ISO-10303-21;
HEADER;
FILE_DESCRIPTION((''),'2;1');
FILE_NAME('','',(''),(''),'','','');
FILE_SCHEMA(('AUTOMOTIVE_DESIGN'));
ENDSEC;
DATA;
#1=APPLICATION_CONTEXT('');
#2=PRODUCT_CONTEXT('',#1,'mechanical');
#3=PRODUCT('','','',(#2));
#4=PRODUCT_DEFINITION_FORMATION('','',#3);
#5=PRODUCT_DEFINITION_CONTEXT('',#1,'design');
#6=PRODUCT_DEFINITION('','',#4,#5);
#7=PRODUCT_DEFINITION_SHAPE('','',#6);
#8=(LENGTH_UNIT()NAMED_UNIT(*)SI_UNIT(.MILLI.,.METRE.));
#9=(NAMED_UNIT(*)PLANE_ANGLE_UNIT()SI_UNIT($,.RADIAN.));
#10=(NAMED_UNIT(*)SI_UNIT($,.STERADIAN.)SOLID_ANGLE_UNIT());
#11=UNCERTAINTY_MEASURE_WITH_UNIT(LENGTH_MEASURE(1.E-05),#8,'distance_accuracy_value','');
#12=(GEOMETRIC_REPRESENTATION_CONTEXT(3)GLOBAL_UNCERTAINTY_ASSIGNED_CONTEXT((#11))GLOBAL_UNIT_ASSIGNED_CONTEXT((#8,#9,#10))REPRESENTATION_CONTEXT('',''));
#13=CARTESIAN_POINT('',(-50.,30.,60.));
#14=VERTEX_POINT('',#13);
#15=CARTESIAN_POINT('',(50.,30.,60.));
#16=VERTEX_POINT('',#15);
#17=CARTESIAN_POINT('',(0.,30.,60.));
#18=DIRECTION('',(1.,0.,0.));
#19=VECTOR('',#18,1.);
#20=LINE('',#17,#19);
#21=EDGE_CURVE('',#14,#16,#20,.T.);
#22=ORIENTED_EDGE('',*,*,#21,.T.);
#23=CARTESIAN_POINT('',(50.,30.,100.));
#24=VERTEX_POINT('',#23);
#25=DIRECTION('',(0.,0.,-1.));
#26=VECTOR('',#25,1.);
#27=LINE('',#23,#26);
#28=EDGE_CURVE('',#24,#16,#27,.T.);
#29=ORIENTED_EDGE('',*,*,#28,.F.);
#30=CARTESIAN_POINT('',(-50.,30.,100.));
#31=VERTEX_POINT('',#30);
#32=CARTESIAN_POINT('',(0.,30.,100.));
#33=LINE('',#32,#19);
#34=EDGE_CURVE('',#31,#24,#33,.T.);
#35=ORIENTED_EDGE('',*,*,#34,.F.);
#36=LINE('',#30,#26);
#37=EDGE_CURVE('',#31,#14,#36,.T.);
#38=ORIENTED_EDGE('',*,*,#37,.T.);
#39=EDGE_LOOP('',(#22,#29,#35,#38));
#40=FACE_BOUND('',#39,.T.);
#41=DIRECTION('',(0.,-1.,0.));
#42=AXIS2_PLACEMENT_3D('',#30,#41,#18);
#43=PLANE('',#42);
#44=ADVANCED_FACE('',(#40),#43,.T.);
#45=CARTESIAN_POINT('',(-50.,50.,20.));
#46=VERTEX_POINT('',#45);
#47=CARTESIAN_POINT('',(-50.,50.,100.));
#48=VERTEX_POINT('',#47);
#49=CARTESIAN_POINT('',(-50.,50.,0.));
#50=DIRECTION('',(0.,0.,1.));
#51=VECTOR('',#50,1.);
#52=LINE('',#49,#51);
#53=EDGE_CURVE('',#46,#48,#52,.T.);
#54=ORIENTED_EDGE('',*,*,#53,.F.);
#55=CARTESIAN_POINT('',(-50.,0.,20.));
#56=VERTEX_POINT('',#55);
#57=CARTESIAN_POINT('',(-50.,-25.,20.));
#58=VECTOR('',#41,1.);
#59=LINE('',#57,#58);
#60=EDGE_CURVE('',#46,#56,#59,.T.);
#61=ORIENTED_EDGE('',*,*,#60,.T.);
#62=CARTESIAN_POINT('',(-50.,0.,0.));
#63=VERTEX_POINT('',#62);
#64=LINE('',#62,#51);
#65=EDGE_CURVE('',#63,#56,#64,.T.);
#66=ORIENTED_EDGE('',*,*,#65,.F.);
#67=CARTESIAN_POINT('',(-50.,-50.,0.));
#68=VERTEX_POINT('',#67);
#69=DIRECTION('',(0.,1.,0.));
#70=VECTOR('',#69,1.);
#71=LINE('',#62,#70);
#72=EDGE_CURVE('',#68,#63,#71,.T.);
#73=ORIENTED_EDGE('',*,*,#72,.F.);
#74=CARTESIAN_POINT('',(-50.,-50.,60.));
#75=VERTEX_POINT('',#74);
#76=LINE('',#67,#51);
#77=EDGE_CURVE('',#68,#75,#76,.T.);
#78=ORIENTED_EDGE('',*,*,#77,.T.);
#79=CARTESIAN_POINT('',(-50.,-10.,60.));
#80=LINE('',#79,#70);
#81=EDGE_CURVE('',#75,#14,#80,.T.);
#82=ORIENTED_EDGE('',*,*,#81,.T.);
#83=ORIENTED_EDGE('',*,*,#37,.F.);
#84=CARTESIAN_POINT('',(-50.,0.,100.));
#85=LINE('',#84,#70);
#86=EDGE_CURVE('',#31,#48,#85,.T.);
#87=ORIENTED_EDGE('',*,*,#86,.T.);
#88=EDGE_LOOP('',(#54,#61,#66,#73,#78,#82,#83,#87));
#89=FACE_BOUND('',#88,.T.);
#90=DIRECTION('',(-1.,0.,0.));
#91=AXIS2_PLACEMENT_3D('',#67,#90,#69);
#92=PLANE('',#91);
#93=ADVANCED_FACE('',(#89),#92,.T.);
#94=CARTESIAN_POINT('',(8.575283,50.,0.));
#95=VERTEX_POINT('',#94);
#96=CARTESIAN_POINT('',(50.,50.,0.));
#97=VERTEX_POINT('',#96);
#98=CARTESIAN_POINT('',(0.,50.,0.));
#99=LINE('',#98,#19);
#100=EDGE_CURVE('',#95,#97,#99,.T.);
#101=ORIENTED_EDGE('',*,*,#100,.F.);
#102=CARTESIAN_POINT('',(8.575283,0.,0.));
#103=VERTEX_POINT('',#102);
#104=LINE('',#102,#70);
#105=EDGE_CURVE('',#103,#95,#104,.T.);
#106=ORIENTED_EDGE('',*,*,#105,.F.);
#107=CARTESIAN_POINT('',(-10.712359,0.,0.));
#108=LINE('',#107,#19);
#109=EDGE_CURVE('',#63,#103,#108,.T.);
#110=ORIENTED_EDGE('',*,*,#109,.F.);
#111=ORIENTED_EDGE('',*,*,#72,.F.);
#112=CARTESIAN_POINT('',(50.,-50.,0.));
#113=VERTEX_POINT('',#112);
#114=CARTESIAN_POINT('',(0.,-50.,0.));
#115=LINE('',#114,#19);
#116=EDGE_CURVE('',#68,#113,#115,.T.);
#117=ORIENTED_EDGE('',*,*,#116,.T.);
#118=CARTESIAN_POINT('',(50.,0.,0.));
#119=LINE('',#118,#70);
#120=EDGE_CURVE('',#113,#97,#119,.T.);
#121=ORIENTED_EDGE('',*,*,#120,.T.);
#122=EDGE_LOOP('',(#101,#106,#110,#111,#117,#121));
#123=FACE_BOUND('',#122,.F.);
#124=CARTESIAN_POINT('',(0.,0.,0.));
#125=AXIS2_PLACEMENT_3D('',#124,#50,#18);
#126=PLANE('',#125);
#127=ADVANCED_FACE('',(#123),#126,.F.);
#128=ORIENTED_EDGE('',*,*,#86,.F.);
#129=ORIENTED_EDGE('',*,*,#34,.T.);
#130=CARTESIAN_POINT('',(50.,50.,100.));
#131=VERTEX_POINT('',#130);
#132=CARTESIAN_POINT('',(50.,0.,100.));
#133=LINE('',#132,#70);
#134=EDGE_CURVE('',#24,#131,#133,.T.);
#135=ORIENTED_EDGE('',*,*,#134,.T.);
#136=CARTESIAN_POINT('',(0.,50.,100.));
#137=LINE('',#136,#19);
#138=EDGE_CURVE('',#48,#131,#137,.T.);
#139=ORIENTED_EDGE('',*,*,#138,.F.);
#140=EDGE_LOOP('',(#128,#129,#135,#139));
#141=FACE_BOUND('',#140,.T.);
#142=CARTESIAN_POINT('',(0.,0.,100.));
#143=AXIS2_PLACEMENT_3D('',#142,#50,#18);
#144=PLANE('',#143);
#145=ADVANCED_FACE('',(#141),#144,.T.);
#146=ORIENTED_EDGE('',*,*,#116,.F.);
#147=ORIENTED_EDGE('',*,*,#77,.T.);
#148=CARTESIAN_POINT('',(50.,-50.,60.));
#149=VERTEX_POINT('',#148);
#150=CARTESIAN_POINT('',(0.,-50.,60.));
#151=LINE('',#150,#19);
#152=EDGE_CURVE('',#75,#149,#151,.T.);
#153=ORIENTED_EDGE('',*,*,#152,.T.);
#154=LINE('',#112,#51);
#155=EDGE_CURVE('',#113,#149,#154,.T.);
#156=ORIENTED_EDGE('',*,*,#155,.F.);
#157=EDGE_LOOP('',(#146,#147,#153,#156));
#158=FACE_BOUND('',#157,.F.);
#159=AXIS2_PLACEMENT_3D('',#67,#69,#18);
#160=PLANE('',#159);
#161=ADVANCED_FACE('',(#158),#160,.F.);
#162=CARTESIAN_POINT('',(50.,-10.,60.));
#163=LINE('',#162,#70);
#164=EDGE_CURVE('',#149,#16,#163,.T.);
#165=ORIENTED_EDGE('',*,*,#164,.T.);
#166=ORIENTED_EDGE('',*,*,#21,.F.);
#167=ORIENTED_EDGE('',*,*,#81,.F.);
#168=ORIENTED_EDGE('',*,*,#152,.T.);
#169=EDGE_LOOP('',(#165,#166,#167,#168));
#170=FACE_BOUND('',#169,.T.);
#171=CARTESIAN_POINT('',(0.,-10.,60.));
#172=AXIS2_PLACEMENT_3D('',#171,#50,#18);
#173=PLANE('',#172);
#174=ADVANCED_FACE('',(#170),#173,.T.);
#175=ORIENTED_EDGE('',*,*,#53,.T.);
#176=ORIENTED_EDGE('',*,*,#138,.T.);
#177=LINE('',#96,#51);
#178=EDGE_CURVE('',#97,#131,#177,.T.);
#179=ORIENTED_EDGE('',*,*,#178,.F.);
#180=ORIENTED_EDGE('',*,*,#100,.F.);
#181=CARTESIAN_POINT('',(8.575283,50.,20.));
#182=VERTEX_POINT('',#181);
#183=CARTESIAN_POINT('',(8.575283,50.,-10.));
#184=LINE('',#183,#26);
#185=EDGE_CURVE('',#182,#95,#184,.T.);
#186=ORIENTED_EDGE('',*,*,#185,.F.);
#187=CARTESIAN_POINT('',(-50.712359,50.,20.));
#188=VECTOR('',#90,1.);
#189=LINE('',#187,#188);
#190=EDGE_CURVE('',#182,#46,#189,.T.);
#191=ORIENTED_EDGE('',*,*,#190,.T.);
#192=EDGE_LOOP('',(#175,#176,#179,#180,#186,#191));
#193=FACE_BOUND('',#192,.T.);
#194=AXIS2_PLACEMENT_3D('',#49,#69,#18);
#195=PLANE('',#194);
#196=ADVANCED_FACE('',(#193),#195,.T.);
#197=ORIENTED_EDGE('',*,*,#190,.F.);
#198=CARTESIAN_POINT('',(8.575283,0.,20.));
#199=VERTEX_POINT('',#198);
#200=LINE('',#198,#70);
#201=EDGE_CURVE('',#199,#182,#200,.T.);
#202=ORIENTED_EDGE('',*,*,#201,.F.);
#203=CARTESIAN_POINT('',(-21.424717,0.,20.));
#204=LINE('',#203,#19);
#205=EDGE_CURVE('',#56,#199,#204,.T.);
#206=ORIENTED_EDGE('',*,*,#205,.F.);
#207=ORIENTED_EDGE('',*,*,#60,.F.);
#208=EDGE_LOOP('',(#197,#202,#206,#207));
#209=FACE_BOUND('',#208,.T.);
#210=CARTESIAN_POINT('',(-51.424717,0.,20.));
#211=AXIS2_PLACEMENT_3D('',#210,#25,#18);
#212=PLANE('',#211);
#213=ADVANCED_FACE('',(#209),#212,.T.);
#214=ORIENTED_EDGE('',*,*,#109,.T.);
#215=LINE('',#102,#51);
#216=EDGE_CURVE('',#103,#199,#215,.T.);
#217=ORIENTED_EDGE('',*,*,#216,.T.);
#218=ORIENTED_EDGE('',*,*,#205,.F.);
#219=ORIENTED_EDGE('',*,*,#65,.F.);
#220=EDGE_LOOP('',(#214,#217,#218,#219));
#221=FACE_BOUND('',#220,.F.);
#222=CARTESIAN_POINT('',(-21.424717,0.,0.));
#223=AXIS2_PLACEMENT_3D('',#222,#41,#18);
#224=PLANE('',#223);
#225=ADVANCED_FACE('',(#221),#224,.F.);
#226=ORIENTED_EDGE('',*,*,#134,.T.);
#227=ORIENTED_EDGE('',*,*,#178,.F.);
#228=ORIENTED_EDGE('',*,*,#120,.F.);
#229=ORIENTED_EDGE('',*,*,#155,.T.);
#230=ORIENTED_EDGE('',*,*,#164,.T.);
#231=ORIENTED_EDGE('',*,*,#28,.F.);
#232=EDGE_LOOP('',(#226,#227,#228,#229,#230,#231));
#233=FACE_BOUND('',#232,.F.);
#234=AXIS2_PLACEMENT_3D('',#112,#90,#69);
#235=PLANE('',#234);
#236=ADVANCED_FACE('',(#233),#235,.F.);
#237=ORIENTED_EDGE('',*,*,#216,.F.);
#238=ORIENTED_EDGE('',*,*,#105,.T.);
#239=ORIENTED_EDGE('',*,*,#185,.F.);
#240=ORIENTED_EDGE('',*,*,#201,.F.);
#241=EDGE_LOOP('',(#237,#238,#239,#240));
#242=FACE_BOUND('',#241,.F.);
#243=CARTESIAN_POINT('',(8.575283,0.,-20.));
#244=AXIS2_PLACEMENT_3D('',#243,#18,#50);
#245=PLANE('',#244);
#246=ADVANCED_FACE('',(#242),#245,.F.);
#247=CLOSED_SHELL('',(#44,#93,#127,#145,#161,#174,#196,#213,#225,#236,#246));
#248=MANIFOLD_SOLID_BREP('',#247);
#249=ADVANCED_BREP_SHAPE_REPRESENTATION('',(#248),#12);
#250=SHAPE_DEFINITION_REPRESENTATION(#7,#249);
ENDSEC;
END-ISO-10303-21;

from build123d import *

# Parameters (mm, degrees)
F0_W     = 100
F0_H     = 100
F1_DEPTH = 100
F2_W     = 100
F2_H     = 80
F3_DEPTH = 40
F4_W     = 60
F4_H     = 40
F5_DEPTH = 50.001


with BuildPart() as f1:
    # F0 (on Top) → F1 (new body)
    with BuildSketch(Plane.XY):
        Rectangle(F0_W, F0_H)
    extrude(amount=F1_DEPTH)

    # F2 (on face) → F3 (cut)
    with BuildSketch(Plane.XY.offset(100)):
        with Locations((0, -10)):
            Rectangle(F2_W, F2_H)
    extrude(amount=-F3_DEPTH, mode=Mode.SUBTRACT)

    # F4 (on Front) → F5 (cut, through all)
    with BuildSketch(Plane.XZ):
        with Locations((-21.424717, 0)):
            Rectangle(F4_W, F4_H)
    extrude(amount=-F5_DEPTH, mode=Mode.SUBTRACT)


solid = f1.part
